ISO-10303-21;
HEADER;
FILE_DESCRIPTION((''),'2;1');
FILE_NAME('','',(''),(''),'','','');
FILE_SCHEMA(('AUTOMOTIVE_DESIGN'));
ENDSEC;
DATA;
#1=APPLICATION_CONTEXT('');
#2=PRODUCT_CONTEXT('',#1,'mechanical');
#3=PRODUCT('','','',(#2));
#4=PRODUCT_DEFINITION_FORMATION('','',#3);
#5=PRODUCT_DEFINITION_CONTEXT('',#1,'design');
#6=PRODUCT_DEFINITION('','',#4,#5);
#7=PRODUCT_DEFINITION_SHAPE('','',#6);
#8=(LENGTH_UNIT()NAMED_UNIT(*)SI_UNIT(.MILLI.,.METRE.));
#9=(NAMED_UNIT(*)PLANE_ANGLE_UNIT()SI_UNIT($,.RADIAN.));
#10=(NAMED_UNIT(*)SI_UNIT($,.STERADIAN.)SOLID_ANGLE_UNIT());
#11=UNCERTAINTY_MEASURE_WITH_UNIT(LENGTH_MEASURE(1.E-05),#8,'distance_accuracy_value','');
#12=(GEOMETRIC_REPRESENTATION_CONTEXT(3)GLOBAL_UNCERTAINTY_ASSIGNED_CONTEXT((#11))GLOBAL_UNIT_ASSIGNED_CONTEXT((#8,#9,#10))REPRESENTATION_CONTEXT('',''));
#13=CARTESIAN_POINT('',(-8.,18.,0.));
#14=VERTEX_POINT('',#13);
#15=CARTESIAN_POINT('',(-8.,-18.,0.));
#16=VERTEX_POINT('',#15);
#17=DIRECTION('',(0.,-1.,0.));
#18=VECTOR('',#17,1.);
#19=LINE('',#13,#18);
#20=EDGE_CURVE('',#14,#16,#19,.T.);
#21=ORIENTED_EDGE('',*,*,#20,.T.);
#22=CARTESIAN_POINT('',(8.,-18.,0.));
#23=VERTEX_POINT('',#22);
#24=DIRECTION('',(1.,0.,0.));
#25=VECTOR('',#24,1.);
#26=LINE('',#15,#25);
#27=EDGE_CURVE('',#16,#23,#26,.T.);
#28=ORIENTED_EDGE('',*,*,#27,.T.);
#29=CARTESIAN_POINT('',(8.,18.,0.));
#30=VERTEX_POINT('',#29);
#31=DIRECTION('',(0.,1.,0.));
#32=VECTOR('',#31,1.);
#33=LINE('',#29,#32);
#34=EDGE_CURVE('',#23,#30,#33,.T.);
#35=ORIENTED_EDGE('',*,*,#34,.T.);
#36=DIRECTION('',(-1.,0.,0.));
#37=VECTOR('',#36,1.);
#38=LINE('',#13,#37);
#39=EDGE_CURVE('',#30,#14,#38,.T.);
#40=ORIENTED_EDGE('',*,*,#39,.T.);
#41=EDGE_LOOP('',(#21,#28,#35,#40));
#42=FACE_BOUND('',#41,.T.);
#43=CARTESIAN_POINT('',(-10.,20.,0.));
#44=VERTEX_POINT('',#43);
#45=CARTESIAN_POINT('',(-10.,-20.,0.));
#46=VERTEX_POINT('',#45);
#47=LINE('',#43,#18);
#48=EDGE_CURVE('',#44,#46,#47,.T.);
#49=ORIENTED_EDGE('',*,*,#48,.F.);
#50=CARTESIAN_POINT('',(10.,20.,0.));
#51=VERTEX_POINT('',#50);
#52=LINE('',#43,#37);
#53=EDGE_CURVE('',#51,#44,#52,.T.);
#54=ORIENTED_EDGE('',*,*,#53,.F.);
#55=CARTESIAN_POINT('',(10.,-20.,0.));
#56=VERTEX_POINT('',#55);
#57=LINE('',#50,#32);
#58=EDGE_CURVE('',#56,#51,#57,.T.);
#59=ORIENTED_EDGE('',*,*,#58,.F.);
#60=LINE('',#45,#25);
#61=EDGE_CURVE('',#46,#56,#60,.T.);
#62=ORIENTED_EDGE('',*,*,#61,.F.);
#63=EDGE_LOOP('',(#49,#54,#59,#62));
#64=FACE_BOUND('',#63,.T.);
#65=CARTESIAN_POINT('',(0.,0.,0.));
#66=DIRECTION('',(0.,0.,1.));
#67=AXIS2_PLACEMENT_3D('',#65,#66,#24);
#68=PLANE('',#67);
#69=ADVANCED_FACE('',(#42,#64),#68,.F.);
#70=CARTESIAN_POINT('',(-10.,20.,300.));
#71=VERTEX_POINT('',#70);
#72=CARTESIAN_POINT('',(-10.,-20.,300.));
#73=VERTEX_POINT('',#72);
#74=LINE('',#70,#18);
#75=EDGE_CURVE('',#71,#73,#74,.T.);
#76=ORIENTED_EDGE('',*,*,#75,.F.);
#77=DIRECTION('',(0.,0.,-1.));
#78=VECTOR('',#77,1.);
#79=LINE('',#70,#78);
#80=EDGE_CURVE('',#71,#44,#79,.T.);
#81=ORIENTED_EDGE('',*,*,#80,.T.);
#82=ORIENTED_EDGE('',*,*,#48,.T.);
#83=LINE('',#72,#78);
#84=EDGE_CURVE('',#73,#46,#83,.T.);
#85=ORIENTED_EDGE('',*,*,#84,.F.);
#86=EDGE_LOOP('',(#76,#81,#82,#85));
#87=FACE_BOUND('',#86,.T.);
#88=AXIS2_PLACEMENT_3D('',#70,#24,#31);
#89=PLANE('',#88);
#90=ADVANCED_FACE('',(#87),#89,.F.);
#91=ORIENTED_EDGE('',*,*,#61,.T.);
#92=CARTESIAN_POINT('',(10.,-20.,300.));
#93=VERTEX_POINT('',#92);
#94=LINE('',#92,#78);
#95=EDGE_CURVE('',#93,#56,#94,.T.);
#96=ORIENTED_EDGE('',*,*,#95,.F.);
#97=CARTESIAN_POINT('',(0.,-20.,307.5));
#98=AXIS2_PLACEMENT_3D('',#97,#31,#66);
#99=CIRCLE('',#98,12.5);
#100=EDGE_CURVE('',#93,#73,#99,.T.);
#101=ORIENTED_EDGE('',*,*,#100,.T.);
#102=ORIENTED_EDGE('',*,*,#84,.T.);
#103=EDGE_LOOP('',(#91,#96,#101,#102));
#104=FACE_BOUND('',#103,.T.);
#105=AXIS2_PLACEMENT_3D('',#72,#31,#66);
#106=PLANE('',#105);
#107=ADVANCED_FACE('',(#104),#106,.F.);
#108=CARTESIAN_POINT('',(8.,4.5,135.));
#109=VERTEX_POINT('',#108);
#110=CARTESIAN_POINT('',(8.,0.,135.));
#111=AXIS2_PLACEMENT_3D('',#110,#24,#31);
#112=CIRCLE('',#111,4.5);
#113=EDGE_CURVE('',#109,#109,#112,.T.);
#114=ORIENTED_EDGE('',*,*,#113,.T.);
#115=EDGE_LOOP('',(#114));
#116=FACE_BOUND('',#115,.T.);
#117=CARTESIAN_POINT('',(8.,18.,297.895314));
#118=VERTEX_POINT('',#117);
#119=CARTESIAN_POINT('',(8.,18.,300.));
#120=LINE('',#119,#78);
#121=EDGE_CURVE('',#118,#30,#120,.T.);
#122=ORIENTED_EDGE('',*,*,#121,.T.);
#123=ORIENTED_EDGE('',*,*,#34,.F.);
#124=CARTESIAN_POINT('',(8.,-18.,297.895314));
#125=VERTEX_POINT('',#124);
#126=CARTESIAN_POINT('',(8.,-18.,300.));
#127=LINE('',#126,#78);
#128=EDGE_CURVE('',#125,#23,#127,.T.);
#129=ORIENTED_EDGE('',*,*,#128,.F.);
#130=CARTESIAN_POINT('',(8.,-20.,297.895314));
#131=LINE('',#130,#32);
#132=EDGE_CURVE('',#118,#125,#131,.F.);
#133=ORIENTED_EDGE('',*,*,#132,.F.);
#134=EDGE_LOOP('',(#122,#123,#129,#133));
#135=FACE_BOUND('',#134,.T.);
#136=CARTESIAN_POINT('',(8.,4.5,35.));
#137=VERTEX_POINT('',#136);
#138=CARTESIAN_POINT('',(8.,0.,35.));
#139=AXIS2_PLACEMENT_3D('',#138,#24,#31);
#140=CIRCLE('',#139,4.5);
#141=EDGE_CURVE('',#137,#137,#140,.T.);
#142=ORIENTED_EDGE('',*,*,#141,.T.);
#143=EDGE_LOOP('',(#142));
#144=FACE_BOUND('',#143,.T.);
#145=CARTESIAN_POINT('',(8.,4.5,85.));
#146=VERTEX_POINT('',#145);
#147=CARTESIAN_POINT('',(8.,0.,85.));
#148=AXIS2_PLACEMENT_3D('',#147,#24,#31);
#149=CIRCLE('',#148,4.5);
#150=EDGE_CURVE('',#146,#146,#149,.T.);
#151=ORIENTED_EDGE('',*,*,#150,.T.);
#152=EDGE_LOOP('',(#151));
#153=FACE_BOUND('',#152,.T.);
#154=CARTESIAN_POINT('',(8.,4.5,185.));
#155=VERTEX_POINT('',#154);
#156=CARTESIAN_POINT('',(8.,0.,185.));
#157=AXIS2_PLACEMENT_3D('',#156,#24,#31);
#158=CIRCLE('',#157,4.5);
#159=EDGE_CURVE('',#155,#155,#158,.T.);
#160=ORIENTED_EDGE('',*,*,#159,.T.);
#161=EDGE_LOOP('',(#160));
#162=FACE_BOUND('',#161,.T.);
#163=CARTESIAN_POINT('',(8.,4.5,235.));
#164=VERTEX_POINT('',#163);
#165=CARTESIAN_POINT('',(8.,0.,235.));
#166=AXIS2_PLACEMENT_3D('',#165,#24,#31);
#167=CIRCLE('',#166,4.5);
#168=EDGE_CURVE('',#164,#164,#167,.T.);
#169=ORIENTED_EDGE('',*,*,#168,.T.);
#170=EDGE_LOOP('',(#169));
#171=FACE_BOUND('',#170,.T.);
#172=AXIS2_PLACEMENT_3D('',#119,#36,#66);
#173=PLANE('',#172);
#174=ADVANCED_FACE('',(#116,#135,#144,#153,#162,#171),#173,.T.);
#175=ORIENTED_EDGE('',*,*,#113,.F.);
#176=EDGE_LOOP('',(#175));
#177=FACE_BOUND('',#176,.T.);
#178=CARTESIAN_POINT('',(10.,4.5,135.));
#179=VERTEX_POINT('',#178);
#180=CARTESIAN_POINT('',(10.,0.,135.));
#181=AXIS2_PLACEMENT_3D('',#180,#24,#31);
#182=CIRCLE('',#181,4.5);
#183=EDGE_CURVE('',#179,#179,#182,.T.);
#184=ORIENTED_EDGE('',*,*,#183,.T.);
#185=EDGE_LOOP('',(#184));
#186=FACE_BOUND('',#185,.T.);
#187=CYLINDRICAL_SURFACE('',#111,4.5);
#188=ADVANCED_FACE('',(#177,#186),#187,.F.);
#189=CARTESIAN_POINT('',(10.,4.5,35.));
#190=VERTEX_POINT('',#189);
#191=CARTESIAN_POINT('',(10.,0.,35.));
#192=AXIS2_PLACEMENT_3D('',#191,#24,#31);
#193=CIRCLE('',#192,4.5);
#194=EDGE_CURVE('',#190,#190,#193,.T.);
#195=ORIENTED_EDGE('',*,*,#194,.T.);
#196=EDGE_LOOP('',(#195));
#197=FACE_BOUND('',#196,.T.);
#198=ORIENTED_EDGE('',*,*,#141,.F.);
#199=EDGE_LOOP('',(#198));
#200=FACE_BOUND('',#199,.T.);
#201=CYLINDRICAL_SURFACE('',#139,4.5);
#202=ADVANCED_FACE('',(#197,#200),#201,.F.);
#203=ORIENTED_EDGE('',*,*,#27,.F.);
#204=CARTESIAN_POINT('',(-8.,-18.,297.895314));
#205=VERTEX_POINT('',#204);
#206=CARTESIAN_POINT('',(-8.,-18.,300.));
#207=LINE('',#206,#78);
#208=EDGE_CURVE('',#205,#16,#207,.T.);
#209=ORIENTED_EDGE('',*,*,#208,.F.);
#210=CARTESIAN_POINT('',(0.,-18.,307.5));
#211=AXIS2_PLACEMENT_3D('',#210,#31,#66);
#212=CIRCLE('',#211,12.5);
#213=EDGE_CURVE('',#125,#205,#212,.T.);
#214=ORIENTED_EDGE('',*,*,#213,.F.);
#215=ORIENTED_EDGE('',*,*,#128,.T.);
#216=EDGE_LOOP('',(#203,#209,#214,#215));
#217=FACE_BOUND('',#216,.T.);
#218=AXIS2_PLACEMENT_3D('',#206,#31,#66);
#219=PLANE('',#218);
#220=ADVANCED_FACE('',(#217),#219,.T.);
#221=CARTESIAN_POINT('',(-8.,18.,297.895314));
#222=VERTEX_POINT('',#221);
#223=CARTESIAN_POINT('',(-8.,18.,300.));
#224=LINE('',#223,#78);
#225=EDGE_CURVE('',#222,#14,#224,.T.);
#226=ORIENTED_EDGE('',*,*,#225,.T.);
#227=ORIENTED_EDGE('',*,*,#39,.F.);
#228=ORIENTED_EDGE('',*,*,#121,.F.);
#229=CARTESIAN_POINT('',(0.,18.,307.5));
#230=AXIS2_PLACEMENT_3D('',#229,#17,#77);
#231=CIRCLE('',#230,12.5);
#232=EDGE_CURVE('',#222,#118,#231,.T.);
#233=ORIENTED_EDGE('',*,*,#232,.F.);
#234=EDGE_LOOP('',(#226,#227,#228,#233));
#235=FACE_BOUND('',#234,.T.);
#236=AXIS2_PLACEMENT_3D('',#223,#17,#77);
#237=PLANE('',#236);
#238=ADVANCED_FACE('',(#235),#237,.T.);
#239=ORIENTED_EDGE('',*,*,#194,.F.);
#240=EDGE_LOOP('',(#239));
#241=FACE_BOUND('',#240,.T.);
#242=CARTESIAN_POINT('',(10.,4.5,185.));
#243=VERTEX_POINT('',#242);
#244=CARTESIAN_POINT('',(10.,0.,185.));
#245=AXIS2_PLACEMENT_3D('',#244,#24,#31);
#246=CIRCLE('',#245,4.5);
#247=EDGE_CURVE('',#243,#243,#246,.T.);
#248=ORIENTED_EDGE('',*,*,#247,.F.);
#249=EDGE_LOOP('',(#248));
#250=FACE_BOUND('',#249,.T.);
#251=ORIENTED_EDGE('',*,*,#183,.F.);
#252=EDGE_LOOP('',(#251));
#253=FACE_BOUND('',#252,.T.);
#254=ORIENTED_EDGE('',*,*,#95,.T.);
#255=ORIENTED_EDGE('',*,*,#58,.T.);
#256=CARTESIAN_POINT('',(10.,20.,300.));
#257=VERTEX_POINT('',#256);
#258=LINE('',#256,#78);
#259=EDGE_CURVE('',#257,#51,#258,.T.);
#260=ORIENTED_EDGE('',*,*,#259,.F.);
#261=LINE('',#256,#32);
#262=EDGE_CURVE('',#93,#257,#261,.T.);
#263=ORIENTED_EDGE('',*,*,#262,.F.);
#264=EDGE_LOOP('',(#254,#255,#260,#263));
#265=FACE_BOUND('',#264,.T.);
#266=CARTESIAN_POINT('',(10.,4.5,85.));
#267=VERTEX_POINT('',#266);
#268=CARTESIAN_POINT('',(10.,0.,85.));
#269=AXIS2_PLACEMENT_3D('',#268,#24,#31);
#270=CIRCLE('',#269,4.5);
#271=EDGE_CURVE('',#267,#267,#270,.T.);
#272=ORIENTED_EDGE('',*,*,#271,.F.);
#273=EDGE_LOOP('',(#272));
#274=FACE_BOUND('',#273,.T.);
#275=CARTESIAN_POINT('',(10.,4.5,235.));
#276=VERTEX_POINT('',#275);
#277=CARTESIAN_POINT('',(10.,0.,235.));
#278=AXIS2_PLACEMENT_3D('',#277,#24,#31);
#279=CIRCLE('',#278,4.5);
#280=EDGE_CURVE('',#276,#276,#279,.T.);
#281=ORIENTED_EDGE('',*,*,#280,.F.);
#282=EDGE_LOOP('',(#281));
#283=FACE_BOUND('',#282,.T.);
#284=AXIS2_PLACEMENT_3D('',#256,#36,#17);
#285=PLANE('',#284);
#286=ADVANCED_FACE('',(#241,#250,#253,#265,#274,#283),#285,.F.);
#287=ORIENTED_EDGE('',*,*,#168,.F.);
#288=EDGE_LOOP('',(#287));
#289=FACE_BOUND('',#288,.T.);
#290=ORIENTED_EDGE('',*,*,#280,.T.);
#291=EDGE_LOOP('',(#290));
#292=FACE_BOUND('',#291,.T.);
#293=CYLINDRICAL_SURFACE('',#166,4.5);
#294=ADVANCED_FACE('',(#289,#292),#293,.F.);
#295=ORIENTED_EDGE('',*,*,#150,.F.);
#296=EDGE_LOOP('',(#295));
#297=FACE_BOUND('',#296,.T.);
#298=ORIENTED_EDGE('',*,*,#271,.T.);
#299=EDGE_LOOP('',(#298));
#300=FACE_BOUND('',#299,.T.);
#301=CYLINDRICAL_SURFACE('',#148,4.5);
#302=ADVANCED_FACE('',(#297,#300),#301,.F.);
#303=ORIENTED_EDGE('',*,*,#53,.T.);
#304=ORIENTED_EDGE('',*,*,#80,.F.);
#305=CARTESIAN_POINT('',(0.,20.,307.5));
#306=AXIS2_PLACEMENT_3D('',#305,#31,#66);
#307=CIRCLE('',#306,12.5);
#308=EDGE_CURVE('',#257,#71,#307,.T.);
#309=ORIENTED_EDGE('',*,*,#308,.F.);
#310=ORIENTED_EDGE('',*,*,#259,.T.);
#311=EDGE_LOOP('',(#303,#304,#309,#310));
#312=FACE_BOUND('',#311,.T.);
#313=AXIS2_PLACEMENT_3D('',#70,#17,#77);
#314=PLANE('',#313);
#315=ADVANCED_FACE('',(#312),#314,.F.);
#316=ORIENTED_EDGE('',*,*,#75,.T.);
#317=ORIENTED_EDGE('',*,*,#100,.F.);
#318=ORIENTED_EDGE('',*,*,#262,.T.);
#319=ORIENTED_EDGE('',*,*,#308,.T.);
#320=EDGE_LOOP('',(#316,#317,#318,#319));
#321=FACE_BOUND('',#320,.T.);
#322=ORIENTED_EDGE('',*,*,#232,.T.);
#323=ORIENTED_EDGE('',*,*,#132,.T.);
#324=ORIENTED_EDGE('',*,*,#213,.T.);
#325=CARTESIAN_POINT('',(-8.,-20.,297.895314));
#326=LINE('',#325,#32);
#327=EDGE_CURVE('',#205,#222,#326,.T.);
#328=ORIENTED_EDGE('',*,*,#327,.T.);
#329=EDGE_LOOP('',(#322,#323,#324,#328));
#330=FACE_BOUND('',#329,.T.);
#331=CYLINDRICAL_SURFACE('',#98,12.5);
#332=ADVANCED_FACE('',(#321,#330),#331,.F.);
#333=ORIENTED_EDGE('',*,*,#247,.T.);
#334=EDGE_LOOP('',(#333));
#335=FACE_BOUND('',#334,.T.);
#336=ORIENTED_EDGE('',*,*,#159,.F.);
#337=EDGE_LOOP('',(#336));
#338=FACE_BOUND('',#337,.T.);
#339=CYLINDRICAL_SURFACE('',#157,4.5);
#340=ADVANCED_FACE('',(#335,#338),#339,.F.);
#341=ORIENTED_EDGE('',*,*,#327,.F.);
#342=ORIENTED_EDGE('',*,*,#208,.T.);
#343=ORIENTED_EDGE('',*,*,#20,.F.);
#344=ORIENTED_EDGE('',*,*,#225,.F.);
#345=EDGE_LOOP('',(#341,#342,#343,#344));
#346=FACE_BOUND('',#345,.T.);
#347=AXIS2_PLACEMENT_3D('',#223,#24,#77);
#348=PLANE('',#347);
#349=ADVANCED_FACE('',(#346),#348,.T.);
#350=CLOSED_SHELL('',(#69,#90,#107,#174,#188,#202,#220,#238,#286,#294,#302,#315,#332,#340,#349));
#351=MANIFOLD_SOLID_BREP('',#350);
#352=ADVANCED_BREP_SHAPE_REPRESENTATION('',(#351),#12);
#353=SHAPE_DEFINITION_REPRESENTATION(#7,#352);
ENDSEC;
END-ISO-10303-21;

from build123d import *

# Parameters (mm, degrees)
SKETCH_1_W          = 20
SKETCH_1_H          = 40
SKETCH_1_W_2        = 16
SKETCH_1_H_2        = 36
EXTRUDE_1_DEPTH     = 300
SKETCH_2_R          = 12.5
CUT_EXTRUDE_1_DEPTH = 40
SKETCH_3_R          = 4.5
CUT_EXTRUDE_2_DEPTH = 2


with BuildPart() as part:
    # Эскиз1 → Бобышка-Вытянуть1 (new body)
    with BuildSketch(Plane.XY):
        Rectangle(SKETCH_1_W, SKETCH_1_H)
        Rectangle(SKETCH_1_W_2, SKETCH_1_H_2, mode=Mode.SUBTRACT)
    extrude(amount=EXTRUDE_1_DEPTH)

    # Эскиз2 → Вырез-Вытянуть1 (cut)
    with BuildSketch(Plane(origin=(0, 20, 0), x_dir=(1, 0, 0), z_dir=(0, 1, 0))):
        with Locations((0, -307.5)):
            Circle(SKETCH_2_R)
    extrude(amount=-CUT_EXTRUDE_1_DEPTH, mode=Mode.SUBTRACT)

    # Эскиз3 → Вырез-Вытянуть2 (cut)
    with BuildSketch(Plane(origin=(10, 0, 0), x_dir=(0, 0, -1), z_dir=(1, 0, 0))):
        with Locations(Location((-35, 0, 0), (0, 0, 90))):  # turned: the seam where the file's is
            Circle(SKETCH_3_R)
        with Locations(Location((-85, 0, 0), (0, 0, 90))):  # turned: the seam where the file's is
            Circle(SKETCH_3_R)
        with Locations(Location((-135, 0, 0), (0, 0, 90))):  # turned: the seam where the file's is
            Circle(SKETCH_3_R)
        with Locations(Location((-185, 0, 0), (0, 0, 90))):  # turned: the seam where the file's is
            Circle(SKETCH_3_R)
        with Locations(Location((-235, 0, 0), (0, 0, 90))):  # turned: the seam where the file's is
            Circle(SKETCH_3_R)
    extrude(amount=-CUT_EXTRUDE_2_DEPTH, mode=Mode.SUBTRACT)


solid = part.part
